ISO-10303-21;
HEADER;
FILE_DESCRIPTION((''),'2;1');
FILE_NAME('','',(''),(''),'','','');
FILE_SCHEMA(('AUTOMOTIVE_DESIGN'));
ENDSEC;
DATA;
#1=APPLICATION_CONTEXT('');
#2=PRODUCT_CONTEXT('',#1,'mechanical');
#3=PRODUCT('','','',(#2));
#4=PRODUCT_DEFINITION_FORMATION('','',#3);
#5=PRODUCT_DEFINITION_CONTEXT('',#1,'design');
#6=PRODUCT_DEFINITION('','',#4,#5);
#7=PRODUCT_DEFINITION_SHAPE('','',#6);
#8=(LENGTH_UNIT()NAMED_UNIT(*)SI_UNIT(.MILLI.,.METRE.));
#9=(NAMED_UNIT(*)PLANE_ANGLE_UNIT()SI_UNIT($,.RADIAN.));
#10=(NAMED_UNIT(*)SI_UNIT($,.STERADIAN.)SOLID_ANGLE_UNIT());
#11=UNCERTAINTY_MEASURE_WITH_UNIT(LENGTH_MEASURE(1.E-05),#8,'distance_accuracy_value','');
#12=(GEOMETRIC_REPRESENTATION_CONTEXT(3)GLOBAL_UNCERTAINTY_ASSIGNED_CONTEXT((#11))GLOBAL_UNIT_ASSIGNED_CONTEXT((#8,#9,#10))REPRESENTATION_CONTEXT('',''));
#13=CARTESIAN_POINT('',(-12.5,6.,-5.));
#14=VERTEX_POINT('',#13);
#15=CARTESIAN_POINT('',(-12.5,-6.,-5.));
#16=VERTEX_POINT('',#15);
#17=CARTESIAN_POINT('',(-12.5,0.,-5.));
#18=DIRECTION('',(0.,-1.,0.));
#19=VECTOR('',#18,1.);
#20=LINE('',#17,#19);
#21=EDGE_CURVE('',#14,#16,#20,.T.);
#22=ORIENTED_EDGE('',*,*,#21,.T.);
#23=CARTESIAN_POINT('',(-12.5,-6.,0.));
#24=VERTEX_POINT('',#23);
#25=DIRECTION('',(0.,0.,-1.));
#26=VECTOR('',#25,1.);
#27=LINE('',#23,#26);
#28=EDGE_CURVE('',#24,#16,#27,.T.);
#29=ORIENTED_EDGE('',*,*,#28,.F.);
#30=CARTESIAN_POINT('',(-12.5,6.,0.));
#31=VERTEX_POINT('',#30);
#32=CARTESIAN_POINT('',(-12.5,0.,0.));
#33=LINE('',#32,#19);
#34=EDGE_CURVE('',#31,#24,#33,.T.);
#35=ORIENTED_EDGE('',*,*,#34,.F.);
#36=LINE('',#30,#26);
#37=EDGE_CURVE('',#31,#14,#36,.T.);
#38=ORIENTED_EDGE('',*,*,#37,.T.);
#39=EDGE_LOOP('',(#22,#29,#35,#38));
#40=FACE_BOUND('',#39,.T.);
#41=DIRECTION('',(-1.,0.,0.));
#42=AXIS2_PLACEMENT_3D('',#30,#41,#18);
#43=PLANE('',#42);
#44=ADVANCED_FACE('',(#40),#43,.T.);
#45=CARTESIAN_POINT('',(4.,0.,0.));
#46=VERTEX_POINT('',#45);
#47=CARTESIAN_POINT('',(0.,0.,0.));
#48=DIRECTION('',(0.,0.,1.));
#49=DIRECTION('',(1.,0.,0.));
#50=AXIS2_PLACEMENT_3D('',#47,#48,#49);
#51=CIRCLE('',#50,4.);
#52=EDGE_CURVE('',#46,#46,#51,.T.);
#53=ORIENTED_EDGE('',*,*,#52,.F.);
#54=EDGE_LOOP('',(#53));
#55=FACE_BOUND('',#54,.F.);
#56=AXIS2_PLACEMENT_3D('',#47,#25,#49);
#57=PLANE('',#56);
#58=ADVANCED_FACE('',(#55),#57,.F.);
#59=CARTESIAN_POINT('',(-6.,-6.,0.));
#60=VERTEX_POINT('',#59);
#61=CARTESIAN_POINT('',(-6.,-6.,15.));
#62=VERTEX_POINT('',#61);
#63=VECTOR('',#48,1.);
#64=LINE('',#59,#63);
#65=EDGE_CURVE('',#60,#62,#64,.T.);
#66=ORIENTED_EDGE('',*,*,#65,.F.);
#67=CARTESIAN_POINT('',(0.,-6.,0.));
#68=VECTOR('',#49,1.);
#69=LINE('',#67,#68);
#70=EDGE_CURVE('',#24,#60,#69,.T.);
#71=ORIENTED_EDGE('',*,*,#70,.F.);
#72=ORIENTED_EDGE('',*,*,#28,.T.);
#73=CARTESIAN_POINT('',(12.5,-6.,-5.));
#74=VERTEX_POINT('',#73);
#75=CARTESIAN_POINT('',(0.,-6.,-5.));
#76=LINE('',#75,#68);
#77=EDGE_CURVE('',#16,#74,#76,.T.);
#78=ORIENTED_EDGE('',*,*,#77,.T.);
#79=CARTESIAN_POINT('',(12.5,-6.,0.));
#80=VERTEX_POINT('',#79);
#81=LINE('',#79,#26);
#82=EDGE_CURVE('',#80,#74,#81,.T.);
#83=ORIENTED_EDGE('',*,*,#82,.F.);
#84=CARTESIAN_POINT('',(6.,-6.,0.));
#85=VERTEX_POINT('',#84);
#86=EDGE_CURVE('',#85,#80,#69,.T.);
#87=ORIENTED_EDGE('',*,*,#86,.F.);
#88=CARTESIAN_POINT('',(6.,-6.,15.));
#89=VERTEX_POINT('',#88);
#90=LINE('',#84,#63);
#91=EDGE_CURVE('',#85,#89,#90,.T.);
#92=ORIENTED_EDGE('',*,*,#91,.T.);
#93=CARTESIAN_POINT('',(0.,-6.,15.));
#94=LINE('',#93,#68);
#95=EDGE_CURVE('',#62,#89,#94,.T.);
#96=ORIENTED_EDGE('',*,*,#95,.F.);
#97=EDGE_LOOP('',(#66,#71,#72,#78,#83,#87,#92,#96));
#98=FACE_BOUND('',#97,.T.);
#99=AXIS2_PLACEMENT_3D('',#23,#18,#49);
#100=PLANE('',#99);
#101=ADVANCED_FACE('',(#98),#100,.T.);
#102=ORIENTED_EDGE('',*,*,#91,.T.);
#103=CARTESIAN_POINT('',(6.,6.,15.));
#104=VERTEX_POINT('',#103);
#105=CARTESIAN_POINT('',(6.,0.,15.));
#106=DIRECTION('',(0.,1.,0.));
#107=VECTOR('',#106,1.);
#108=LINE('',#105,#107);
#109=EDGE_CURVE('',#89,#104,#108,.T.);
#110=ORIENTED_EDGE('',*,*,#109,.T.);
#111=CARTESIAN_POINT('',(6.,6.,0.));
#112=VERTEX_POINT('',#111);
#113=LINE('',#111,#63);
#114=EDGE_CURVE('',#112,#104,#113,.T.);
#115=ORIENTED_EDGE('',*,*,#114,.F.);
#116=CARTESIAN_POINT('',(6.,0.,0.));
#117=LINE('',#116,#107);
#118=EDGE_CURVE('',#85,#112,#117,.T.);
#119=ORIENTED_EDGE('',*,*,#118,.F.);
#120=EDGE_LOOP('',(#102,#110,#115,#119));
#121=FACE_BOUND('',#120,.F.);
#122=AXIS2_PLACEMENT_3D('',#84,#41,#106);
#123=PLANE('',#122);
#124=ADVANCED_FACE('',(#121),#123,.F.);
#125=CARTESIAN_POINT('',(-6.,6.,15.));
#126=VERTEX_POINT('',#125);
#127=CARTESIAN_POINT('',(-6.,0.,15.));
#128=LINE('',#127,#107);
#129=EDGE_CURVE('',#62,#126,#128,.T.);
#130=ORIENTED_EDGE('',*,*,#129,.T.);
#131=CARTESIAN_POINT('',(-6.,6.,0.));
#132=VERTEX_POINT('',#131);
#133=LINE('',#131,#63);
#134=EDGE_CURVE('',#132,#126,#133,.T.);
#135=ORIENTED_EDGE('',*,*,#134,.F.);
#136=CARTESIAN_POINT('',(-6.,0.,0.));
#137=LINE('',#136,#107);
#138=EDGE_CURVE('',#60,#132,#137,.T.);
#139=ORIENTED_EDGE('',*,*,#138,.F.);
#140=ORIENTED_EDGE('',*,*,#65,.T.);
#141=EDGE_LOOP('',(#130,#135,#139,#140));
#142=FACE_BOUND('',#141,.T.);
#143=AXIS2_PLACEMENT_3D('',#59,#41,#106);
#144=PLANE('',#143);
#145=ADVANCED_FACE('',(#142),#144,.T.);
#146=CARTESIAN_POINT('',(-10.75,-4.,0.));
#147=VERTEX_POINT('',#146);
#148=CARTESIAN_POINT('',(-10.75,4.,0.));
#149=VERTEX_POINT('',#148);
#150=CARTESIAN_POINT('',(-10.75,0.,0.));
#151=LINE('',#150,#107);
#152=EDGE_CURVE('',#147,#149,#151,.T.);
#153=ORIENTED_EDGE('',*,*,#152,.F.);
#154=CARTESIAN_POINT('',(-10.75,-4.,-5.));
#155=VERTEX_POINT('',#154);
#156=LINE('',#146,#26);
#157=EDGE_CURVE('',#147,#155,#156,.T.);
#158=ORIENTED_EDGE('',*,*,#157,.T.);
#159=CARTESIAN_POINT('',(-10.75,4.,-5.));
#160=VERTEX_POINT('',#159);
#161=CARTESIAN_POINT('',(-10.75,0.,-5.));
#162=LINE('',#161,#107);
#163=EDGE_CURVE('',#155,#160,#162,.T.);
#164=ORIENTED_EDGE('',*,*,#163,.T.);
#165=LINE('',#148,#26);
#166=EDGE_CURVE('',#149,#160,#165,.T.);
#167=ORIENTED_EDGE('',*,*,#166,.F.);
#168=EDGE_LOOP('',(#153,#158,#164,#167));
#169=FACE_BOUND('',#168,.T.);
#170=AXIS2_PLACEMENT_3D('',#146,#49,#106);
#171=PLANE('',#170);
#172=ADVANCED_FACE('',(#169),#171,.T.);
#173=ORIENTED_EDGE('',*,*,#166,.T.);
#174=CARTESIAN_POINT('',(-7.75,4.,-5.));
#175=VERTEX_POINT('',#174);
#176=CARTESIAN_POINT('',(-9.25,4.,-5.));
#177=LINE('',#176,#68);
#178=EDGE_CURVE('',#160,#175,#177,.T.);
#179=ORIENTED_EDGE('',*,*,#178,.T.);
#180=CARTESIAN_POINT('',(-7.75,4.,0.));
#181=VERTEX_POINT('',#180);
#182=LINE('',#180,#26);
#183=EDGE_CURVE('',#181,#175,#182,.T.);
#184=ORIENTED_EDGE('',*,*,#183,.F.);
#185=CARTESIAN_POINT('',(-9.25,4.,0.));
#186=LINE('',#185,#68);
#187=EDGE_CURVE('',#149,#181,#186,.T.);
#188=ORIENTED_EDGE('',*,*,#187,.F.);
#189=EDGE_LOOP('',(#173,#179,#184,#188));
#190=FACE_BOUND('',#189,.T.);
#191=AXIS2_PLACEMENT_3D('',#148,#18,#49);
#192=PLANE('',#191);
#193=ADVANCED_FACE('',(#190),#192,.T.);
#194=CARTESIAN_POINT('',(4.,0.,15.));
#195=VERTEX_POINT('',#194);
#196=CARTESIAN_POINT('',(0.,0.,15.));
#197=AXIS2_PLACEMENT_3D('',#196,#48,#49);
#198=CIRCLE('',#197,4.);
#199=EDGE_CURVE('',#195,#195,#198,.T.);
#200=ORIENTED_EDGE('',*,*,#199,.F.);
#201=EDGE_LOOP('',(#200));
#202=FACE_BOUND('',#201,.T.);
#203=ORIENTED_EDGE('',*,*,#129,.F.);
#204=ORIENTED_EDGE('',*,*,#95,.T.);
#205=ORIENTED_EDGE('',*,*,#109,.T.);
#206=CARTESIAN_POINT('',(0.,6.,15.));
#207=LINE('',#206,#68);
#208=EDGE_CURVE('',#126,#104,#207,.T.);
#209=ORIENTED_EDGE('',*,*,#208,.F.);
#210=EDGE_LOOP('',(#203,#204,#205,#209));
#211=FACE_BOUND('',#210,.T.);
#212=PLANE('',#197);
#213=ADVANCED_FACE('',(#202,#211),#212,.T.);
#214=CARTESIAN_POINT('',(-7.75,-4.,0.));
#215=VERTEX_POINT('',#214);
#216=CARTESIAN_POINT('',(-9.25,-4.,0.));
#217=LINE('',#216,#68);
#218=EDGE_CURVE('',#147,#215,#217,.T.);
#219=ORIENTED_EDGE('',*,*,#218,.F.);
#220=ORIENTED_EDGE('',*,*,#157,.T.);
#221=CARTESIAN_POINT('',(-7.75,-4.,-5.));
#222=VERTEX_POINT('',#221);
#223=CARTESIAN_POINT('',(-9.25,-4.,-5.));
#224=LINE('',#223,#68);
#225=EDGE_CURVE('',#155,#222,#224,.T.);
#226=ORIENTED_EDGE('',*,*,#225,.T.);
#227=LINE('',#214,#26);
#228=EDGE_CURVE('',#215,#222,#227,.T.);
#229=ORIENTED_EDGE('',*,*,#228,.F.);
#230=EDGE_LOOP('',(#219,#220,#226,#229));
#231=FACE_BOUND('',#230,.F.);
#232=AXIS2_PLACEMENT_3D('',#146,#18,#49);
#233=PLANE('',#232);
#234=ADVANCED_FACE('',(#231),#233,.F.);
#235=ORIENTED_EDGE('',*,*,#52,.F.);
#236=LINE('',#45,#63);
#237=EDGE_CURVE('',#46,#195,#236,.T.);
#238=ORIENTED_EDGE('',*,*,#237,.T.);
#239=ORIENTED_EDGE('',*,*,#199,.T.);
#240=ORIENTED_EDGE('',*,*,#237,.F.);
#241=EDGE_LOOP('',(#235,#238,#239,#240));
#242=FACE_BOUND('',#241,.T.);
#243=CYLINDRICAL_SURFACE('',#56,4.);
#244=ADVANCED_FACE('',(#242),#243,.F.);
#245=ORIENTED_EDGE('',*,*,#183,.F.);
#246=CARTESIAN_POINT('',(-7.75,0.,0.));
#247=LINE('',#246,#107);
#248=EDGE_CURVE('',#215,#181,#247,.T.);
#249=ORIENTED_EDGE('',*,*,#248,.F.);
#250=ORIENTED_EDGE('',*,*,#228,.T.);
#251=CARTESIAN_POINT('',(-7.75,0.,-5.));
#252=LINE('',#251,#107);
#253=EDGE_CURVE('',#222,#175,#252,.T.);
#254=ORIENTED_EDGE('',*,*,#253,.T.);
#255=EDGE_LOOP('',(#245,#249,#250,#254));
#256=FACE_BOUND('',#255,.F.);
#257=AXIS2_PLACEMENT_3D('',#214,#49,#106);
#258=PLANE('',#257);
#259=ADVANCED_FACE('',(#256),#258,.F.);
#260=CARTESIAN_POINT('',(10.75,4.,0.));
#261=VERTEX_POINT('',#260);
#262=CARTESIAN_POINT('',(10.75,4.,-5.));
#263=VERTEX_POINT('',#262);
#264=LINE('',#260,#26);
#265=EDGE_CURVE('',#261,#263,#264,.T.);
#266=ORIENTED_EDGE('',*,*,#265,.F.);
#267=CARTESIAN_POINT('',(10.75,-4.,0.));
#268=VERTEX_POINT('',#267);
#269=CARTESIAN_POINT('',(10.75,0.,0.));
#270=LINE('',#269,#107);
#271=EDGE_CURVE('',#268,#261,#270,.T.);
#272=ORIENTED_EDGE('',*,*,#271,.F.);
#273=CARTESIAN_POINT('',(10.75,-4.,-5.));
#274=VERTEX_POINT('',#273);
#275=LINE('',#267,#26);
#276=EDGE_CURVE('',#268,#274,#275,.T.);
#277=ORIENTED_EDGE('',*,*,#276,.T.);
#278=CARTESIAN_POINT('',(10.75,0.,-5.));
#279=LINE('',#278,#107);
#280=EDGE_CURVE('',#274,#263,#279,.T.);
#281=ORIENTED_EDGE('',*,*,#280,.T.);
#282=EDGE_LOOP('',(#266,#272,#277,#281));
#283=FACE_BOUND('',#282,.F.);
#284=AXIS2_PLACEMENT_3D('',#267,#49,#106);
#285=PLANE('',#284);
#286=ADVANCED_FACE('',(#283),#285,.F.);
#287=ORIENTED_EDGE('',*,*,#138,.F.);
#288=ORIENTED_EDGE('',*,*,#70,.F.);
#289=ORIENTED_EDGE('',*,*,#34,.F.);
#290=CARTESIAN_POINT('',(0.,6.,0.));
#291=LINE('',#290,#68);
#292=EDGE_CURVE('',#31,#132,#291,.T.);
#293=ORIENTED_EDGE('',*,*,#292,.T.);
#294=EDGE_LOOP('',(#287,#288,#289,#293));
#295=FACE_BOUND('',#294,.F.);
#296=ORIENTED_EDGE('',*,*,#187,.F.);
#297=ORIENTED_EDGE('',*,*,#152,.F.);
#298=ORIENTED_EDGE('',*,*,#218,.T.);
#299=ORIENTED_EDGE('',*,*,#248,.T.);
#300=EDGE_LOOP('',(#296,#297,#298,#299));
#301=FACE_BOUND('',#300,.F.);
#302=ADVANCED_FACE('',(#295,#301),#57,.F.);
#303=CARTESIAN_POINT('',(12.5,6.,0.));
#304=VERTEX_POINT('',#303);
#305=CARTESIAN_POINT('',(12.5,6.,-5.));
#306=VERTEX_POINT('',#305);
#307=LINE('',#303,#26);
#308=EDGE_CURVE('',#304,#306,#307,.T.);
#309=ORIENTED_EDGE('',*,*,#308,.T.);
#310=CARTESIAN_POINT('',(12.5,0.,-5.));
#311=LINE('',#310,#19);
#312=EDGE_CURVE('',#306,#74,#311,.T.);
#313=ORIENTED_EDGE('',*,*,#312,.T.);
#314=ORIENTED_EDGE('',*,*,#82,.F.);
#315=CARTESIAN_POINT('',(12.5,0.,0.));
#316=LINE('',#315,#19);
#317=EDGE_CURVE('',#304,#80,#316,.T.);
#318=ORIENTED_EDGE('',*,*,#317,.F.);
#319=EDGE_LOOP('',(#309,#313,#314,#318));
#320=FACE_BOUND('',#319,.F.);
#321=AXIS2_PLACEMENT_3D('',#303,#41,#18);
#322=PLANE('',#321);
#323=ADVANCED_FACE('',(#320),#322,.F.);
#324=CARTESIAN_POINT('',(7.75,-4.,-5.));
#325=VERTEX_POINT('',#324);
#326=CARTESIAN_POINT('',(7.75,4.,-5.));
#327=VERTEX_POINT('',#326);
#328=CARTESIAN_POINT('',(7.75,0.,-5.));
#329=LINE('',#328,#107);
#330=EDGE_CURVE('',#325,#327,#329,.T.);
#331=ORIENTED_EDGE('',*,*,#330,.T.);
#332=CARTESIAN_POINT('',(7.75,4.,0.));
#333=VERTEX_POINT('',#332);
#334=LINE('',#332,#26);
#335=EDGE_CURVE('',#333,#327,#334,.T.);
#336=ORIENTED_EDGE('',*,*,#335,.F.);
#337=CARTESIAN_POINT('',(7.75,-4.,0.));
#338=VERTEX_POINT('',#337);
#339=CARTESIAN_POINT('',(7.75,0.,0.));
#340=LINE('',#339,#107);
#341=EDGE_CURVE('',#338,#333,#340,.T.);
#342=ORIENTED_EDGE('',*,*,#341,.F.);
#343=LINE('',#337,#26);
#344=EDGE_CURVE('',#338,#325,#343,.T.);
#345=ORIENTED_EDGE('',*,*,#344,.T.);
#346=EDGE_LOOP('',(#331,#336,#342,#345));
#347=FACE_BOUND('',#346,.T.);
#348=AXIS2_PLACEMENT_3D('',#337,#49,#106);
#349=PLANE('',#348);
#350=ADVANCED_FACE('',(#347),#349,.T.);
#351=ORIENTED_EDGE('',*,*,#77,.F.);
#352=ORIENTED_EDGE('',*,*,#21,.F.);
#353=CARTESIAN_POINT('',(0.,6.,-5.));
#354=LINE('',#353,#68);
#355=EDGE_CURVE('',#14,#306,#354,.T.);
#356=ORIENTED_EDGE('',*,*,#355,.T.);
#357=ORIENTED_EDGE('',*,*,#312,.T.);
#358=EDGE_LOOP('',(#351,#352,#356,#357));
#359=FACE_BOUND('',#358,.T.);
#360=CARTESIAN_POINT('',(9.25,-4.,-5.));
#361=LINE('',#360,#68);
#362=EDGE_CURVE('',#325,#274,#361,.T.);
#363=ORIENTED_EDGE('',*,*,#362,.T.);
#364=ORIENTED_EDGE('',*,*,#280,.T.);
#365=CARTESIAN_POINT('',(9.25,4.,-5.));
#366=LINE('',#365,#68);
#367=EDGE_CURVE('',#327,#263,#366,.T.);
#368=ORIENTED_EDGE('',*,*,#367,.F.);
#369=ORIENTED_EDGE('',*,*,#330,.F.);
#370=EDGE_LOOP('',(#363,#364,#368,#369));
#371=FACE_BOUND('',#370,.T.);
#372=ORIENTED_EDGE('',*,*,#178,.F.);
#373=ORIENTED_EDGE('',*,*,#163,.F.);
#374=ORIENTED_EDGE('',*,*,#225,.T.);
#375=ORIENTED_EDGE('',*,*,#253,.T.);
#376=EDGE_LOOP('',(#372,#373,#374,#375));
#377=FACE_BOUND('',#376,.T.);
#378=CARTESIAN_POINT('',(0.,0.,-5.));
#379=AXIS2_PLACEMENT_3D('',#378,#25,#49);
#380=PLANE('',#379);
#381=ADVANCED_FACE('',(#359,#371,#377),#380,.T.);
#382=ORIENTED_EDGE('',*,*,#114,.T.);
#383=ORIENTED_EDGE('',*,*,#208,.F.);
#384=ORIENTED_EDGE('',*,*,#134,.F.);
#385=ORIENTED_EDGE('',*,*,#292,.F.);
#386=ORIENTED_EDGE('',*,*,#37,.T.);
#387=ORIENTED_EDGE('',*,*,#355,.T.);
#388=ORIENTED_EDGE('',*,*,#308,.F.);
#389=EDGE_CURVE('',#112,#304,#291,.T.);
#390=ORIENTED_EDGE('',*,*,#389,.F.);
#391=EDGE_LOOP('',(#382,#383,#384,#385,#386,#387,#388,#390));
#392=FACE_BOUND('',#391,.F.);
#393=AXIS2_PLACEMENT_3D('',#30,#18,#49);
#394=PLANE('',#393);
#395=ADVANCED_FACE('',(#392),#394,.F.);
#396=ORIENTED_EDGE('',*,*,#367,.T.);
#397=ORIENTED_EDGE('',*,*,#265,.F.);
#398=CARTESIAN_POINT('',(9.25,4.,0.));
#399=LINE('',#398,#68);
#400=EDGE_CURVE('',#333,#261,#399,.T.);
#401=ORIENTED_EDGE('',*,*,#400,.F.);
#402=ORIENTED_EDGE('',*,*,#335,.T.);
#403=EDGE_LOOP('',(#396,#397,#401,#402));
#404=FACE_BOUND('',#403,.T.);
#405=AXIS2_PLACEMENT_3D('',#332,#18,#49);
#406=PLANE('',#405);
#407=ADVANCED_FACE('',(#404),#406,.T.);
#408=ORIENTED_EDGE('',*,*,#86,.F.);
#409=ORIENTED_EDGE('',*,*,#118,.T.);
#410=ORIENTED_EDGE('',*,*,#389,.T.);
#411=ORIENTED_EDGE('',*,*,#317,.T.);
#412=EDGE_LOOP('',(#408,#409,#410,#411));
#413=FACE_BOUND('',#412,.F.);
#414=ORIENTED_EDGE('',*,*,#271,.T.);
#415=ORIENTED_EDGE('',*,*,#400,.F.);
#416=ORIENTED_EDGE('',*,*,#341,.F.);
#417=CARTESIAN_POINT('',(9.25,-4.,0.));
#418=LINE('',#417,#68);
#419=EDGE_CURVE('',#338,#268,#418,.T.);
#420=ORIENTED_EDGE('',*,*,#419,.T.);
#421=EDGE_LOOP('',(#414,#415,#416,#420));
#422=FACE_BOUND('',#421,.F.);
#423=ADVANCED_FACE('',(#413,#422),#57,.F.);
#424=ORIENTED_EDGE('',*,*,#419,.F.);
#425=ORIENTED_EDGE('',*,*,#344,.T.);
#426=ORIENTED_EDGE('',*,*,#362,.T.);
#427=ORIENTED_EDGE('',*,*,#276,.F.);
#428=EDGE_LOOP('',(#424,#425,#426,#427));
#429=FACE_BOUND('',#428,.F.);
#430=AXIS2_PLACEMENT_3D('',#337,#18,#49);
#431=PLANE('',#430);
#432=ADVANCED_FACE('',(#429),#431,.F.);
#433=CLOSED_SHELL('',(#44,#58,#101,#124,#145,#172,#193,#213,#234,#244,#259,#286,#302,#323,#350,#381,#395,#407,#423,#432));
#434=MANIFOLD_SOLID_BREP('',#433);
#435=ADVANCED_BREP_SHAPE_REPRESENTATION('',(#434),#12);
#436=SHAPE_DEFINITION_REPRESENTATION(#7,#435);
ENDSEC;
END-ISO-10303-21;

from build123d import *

# Parameters (mm, degrees)
F0_W     = 12
F0_H     = 12
F0_R     = 4
F1_DEPTH = 15
F2_W     = 25
F2_H     = 12
F3_DEPTH = 5
F4_W     = 3
F4_H     = 8
F5_DEPTH = 5


with BuildPart() as f1:
    # F0 (on Top) → F1 (new body)
    with BuildSketch(Plane.XY):
        Rectangle(F0_W, F0_H)
        Circle(F0_R, mode=Mode.SUBTRACT)
    extrude(amount=F1_DEPTH)

    # F2 (on face) → F3 (join)
    with BuildSketch(Plane(origin=(0, 0, 0), x_dir=(1, 0, 0), z_dir=(0, 0, -1))):
        Rectangle(F2_W, F2_H)
    extrude(amount=F3_DEPTH)

    # F4 (on face) → F5 (cut)
    with BuildSketch(Plane.XY):
        with Locations((-9.25, 0)):
            Rectangle(F4_W, F4_H)
        with Locations((9.25, 0)):
            Rectangle(F4_W, F4_H)
    extrude(amount=-F5_DEPTH, mode=Mode.SUBTRACT)


solid = f1.part
